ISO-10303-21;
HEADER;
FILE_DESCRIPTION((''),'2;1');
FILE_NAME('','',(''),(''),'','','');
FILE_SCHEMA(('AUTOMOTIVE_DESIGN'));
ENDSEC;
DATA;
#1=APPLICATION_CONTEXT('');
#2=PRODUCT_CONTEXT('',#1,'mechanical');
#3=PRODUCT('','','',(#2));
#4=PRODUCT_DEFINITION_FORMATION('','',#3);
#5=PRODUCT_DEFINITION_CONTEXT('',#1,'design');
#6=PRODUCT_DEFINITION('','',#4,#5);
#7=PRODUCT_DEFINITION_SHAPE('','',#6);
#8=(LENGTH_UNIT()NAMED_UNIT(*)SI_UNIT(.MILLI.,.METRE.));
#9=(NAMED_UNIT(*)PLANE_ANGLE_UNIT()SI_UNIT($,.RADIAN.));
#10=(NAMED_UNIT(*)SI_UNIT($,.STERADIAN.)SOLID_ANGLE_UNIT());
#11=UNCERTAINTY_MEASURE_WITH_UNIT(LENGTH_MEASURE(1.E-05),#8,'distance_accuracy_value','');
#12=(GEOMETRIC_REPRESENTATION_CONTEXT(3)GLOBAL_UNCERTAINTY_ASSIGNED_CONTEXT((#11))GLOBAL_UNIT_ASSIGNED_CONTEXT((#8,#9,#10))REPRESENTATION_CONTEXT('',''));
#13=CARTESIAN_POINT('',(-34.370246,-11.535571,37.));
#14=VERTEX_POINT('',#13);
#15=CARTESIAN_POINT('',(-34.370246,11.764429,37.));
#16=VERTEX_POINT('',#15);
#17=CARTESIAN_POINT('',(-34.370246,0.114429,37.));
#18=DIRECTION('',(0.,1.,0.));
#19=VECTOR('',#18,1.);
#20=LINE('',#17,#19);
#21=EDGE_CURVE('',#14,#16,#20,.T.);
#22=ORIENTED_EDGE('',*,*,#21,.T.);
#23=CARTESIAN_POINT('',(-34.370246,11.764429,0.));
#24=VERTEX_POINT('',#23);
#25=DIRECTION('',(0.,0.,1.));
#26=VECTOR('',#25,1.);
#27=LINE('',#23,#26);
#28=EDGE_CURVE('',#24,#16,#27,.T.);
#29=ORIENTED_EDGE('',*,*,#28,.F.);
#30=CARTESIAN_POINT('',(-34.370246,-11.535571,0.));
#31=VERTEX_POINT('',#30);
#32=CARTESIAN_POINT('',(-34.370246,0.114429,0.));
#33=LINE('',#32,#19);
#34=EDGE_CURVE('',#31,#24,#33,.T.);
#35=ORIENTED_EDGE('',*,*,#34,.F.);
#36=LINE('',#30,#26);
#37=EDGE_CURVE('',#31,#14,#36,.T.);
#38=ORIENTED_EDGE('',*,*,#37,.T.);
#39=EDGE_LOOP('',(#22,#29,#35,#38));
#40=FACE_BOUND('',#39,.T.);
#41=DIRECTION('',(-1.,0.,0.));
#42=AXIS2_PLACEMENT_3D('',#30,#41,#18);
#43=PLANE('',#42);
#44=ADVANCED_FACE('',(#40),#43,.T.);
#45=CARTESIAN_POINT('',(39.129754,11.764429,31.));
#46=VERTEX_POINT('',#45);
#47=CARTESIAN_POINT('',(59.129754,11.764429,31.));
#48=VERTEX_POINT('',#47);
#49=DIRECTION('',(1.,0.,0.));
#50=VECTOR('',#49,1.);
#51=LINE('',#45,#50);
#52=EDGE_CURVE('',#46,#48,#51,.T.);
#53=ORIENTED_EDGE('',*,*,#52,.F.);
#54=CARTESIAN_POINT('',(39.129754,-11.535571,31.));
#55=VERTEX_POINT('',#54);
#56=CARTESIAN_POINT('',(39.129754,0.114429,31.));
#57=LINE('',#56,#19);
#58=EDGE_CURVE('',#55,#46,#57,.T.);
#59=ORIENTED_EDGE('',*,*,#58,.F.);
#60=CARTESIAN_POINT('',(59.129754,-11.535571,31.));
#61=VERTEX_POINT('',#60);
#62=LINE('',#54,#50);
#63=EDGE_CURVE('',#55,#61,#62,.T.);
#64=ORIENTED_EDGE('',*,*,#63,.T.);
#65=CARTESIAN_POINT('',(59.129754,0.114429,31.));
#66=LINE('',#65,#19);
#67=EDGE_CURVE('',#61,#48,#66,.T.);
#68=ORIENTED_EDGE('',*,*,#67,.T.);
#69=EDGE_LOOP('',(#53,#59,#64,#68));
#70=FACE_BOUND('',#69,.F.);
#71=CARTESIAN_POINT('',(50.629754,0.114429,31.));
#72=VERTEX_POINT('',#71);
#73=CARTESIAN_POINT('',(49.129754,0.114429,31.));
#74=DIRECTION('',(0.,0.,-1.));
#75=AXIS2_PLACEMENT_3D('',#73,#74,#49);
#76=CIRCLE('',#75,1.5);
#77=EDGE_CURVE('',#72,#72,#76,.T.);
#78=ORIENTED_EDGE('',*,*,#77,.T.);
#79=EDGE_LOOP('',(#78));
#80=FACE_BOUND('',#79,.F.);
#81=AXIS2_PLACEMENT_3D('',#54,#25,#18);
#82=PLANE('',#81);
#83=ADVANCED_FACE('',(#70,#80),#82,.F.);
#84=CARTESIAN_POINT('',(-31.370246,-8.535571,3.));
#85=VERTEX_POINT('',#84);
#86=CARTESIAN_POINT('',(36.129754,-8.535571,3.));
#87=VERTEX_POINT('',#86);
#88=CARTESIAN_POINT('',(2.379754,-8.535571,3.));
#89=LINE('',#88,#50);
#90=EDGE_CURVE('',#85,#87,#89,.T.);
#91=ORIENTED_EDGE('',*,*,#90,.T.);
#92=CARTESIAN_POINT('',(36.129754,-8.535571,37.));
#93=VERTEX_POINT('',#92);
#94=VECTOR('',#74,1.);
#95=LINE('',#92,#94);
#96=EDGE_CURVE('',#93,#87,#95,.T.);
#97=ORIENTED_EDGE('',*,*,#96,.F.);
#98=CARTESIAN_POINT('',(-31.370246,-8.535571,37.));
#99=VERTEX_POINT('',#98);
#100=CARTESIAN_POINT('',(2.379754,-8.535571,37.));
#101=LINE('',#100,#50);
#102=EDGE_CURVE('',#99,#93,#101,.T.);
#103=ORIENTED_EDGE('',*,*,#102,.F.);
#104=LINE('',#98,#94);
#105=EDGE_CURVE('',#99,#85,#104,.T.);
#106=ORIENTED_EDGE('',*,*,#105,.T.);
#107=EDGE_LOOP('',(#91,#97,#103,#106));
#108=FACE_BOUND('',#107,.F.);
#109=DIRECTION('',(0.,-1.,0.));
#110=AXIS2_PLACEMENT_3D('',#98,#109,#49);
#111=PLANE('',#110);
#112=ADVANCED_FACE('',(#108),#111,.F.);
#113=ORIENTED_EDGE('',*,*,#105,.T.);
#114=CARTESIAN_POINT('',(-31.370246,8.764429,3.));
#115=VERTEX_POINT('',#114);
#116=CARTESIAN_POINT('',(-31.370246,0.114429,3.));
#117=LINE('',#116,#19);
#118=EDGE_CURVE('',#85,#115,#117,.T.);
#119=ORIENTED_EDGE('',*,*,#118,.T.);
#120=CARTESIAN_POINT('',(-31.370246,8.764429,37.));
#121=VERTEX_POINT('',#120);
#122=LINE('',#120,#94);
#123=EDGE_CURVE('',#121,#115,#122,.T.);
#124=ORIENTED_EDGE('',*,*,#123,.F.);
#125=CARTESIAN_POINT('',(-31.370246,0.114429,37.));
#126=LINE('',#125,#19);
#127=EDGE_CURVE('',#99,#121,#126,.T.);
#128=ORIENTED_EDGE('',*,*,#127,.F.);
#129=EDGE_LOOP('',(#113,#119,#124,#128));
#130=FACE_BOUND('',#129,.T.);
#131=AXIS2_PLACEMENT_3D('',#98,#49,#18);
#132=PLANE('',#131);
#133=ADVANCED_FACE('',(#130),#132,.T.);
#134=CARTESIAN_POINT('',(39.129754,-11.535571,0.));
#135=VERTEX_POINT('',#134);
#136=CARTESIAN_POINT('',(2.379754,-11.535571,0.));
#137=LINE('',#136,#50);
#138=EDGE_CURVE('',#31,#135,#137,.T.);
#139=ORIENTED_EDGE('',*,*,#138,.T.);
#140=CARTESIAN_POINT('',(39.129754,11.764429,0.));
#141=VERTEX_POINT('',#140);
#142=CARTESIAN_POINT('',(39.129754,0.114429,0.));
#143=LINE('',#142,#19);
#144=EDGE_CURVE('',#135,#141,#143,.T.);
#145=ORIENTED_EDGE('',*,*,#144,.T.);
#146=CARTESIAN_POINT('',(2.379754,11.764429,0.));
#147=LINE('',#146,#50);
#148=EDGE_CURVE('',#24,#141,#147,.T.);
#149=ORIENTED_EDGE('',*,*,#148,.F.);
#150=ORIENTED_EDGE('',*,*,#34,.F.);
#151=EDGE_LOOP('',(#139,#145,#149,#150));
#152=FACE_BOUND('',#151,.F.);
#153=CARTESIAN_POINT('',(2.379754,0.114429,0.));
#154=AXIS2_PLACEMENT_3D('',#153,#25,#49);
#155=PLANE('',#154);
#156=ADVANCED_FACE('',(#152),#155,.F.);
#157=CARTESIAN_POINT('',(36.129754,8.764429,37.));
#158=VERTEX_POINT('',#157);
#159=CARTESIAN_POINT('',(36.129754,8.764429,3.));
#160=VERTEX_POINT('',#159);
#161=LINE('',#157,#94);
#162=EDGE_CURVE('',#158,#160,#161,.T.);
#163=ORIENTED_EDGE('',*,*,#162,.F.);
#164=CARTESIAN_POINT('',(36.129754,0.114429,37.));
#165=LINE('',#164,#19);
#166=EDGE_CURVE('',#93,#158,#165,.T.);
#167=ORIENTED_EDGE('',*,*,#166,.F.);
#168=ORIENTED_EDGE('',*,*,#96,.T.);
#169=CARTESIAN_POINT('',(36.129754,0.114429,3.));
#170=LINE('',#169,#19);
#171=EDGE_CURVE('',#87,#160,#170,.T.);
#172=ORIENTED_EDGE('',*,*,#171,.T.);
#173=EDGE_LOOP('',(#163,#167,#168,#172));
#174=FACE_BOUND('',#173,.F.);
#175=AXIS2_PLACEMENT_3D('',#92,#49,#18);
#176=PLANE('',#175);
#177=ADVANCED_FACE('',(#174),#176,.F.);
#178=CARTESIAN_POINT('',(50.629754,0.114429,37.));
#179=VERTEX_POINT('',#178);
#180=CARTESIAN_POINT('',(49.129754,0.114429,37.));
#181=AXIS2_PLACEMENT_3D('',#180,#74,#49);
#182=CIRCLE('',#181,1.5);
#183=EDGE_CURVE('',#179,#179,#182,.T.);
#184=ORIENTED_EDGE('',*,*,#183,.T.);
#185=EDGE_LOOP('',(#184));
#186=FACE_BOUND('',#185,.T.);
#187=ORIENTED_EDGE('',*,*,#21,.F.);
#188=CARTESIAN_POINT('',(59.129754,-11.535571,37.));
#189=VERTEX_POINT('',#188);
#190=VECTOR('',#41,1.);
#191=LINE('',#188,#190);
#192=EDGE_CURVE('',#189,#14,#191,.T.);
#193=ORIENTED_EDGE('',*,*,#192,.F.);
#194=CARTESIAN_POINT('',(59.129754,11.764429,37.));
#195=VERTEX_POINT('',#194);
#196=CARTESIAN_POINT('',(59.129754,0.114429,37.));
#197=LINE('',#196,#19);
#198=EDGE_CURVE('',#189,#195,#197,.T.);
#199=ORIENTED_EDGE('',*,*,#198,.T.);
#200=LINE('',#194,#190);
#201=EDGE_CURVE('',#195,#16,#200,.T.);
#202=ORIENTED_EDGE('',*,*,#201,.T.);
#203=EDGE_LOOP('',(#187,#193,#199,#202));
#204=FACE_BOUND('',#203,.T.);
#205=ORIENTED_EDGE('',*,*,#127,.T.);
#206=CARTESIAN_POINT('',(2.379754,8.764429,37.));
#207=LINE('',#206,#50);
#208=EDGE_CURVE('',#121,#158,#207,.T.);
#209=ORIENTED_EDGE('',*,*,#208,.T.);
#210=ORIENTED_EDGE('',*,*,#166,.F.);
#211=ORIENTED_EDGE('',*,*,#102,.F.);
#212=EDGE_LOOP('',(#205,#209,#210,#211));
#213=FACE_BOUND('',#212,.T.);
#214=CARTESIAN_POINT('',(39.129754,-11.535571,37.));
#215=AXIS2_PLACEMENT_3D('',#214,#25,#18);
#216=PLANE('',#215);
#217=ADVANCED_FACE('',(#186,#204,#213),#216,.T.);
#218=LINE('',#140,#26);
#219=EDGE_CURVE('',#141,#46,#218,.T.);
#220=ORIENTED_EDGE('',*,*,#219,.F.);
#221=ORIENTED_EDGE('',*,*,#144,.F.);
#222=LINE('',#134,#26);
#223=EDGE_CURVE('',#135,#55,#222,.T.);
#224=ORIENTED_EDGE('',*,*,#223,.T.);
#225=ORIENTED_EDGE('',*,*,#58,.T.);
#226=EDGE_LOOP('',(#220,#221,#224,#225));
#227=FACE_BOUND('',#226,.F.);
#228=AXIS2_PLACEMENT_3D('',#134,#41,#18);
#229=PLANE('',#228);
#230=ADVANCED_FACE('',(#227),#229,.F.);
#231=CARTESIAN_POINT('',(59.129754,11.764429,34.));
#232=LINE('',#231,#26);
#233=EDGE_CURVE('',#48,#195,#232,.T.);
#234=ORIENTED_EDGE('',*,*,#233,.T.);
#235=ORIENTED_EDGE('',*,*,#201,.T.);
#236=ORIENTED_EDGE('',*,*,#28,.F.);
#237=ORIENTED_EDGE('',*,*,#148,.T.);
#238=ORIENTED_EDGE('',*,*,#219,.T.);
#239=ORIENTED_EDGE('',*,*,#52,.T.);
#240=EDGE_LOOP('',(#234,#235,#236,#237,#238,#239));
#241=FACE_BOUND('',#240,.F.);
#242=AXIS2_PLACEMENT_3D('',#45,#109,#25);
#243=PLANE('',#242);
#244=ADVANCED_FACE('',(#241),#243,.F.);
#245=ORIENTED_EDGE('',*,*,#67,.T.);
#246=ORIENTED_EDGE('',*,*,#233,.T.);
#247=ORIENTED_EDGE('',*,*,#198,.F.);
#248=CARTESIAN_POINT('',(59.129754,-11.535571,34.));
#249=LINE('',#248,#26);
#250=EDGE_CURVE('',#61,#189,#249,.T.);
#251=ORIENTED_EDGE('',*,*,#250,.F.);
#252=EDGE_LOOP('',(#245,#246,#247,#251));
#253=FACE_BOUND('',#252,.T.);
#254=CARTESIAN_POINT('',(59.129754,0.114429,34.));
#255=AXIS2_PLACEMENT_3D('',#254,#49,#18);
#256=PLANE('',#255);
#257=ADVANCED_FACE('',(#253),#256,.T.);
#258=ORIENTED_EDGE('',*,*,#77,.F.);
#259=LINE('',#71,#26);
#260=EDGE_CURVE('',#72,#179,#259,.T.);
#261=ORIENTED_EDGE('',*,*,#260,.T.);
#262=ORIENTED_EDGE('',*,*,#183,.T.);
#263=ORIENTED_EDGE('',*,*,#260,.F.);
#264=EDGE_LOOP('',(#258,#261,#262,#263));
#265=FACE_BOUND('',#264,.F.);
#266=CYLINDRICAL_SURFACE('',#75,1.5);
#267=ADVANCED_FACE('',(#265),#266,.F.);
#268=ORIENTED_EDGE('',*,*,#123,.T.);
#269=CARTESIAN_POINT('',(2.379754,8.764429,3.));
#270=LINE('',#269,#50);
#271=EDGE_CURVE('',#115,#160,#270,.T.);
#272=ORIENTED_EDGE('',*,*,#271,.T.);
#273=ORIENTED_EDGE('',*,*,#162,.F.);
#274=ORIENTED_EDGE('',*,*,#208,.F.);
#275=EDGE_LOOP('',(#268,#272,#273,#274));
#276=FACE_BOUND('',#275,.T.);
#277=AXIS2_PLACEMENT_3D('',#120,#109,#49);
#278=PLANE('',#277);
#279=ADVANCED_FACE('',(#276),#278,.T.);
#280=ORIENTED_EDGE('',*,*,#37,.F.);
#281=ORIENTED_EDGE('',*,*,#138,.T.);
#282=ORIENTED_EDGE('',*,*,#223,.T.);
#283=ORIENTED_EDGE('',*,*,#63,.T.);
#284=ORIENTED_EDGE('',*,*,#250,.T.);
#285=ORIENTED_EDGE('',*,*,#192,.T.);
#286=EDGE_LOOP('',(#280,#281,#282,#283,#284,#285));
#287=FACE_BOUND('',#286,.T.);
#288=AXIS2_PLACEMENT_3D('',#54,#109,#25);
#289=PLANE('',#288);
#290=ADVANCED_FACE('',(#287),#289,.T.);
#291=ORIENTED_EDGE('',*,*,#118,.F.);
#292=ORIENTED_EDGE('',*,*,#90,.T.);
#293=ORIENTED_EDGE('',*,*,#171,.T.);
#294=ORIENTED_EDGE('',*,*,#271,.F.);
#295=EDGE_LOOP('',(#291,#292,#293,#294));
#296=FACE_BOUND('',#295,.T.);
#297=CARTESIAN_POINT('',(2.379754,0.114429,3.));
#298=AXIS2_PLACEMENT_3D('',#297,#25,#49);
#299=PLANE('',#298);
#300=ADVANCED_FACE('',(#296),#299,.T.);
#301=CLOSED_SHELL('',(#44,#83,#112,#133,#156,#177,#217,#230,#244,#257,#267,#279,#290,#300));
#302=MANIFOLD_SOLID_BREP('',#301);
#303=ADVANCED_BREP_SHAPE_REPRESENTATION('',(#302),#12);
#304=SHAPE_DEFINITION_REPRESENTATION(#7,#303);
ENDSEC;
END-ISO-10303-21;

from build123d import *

# Parameters (mm, degrees)
SKETCH_W        = 73.5
SKETCH_H        = 23.3
PAD_DEPTH       = 37
SKETCH001_W     = 67.5
SKETCH001_H     = 17.3
POCKET_DEPTH    = 34
SKETCH002_W     = 23.3
SKETCH002_H     = 6
PAD001_DEPTH    = 20
SKETCH003_R     = 1.5
POCKET001_DEPTH = 30


with BuildPart() as part:
    # Sketch → Pad (new body)
    with BuildSketch(Plane.XY):
        with Locations((2.379754, 0.114429)):
            Rectangle(SKETCH_W, SKETCH_H)
    extrude(amount=PAD_DEPTH)

    # Sketch001 (on Face6 of Pad) → Pocket (cut)
    with BuildSketch(Plane.XY.offset(37)):
        with Locations((2.379754, 0.114429)):
            Rectangle(SKETCH001_W, SKETCH001_H)
    extrude(amount=-POCKET_DEPTH, mode=Mode.SUBTRACT)

    # Sketch002 (on Face6 of Pocket) → Pad001 (join)
    with BuildSketch(Plane.YZ.offset(39.129754)):
        with Locations((0.114429, 34)):
            Rectangle(SKETCH002_W, SKETCH002_H)
    extrude(amount=PAD001_DEPTH)

    # Sketch003 (on Face4 of Pad001) → Pocket001 (cut)
    with BuildSketch(Plane(origin=(0, 0, 31), x_dir=(1, 0, 0), z_dir=(0, 0, -1))):
        with Locations((49.129754, -0.114429)):
            Circle(SKETCH003_R)
    extrude(amount=-POCKET001_DEPTH, mode=Mode.SUBTRACT)


solid = part.part
